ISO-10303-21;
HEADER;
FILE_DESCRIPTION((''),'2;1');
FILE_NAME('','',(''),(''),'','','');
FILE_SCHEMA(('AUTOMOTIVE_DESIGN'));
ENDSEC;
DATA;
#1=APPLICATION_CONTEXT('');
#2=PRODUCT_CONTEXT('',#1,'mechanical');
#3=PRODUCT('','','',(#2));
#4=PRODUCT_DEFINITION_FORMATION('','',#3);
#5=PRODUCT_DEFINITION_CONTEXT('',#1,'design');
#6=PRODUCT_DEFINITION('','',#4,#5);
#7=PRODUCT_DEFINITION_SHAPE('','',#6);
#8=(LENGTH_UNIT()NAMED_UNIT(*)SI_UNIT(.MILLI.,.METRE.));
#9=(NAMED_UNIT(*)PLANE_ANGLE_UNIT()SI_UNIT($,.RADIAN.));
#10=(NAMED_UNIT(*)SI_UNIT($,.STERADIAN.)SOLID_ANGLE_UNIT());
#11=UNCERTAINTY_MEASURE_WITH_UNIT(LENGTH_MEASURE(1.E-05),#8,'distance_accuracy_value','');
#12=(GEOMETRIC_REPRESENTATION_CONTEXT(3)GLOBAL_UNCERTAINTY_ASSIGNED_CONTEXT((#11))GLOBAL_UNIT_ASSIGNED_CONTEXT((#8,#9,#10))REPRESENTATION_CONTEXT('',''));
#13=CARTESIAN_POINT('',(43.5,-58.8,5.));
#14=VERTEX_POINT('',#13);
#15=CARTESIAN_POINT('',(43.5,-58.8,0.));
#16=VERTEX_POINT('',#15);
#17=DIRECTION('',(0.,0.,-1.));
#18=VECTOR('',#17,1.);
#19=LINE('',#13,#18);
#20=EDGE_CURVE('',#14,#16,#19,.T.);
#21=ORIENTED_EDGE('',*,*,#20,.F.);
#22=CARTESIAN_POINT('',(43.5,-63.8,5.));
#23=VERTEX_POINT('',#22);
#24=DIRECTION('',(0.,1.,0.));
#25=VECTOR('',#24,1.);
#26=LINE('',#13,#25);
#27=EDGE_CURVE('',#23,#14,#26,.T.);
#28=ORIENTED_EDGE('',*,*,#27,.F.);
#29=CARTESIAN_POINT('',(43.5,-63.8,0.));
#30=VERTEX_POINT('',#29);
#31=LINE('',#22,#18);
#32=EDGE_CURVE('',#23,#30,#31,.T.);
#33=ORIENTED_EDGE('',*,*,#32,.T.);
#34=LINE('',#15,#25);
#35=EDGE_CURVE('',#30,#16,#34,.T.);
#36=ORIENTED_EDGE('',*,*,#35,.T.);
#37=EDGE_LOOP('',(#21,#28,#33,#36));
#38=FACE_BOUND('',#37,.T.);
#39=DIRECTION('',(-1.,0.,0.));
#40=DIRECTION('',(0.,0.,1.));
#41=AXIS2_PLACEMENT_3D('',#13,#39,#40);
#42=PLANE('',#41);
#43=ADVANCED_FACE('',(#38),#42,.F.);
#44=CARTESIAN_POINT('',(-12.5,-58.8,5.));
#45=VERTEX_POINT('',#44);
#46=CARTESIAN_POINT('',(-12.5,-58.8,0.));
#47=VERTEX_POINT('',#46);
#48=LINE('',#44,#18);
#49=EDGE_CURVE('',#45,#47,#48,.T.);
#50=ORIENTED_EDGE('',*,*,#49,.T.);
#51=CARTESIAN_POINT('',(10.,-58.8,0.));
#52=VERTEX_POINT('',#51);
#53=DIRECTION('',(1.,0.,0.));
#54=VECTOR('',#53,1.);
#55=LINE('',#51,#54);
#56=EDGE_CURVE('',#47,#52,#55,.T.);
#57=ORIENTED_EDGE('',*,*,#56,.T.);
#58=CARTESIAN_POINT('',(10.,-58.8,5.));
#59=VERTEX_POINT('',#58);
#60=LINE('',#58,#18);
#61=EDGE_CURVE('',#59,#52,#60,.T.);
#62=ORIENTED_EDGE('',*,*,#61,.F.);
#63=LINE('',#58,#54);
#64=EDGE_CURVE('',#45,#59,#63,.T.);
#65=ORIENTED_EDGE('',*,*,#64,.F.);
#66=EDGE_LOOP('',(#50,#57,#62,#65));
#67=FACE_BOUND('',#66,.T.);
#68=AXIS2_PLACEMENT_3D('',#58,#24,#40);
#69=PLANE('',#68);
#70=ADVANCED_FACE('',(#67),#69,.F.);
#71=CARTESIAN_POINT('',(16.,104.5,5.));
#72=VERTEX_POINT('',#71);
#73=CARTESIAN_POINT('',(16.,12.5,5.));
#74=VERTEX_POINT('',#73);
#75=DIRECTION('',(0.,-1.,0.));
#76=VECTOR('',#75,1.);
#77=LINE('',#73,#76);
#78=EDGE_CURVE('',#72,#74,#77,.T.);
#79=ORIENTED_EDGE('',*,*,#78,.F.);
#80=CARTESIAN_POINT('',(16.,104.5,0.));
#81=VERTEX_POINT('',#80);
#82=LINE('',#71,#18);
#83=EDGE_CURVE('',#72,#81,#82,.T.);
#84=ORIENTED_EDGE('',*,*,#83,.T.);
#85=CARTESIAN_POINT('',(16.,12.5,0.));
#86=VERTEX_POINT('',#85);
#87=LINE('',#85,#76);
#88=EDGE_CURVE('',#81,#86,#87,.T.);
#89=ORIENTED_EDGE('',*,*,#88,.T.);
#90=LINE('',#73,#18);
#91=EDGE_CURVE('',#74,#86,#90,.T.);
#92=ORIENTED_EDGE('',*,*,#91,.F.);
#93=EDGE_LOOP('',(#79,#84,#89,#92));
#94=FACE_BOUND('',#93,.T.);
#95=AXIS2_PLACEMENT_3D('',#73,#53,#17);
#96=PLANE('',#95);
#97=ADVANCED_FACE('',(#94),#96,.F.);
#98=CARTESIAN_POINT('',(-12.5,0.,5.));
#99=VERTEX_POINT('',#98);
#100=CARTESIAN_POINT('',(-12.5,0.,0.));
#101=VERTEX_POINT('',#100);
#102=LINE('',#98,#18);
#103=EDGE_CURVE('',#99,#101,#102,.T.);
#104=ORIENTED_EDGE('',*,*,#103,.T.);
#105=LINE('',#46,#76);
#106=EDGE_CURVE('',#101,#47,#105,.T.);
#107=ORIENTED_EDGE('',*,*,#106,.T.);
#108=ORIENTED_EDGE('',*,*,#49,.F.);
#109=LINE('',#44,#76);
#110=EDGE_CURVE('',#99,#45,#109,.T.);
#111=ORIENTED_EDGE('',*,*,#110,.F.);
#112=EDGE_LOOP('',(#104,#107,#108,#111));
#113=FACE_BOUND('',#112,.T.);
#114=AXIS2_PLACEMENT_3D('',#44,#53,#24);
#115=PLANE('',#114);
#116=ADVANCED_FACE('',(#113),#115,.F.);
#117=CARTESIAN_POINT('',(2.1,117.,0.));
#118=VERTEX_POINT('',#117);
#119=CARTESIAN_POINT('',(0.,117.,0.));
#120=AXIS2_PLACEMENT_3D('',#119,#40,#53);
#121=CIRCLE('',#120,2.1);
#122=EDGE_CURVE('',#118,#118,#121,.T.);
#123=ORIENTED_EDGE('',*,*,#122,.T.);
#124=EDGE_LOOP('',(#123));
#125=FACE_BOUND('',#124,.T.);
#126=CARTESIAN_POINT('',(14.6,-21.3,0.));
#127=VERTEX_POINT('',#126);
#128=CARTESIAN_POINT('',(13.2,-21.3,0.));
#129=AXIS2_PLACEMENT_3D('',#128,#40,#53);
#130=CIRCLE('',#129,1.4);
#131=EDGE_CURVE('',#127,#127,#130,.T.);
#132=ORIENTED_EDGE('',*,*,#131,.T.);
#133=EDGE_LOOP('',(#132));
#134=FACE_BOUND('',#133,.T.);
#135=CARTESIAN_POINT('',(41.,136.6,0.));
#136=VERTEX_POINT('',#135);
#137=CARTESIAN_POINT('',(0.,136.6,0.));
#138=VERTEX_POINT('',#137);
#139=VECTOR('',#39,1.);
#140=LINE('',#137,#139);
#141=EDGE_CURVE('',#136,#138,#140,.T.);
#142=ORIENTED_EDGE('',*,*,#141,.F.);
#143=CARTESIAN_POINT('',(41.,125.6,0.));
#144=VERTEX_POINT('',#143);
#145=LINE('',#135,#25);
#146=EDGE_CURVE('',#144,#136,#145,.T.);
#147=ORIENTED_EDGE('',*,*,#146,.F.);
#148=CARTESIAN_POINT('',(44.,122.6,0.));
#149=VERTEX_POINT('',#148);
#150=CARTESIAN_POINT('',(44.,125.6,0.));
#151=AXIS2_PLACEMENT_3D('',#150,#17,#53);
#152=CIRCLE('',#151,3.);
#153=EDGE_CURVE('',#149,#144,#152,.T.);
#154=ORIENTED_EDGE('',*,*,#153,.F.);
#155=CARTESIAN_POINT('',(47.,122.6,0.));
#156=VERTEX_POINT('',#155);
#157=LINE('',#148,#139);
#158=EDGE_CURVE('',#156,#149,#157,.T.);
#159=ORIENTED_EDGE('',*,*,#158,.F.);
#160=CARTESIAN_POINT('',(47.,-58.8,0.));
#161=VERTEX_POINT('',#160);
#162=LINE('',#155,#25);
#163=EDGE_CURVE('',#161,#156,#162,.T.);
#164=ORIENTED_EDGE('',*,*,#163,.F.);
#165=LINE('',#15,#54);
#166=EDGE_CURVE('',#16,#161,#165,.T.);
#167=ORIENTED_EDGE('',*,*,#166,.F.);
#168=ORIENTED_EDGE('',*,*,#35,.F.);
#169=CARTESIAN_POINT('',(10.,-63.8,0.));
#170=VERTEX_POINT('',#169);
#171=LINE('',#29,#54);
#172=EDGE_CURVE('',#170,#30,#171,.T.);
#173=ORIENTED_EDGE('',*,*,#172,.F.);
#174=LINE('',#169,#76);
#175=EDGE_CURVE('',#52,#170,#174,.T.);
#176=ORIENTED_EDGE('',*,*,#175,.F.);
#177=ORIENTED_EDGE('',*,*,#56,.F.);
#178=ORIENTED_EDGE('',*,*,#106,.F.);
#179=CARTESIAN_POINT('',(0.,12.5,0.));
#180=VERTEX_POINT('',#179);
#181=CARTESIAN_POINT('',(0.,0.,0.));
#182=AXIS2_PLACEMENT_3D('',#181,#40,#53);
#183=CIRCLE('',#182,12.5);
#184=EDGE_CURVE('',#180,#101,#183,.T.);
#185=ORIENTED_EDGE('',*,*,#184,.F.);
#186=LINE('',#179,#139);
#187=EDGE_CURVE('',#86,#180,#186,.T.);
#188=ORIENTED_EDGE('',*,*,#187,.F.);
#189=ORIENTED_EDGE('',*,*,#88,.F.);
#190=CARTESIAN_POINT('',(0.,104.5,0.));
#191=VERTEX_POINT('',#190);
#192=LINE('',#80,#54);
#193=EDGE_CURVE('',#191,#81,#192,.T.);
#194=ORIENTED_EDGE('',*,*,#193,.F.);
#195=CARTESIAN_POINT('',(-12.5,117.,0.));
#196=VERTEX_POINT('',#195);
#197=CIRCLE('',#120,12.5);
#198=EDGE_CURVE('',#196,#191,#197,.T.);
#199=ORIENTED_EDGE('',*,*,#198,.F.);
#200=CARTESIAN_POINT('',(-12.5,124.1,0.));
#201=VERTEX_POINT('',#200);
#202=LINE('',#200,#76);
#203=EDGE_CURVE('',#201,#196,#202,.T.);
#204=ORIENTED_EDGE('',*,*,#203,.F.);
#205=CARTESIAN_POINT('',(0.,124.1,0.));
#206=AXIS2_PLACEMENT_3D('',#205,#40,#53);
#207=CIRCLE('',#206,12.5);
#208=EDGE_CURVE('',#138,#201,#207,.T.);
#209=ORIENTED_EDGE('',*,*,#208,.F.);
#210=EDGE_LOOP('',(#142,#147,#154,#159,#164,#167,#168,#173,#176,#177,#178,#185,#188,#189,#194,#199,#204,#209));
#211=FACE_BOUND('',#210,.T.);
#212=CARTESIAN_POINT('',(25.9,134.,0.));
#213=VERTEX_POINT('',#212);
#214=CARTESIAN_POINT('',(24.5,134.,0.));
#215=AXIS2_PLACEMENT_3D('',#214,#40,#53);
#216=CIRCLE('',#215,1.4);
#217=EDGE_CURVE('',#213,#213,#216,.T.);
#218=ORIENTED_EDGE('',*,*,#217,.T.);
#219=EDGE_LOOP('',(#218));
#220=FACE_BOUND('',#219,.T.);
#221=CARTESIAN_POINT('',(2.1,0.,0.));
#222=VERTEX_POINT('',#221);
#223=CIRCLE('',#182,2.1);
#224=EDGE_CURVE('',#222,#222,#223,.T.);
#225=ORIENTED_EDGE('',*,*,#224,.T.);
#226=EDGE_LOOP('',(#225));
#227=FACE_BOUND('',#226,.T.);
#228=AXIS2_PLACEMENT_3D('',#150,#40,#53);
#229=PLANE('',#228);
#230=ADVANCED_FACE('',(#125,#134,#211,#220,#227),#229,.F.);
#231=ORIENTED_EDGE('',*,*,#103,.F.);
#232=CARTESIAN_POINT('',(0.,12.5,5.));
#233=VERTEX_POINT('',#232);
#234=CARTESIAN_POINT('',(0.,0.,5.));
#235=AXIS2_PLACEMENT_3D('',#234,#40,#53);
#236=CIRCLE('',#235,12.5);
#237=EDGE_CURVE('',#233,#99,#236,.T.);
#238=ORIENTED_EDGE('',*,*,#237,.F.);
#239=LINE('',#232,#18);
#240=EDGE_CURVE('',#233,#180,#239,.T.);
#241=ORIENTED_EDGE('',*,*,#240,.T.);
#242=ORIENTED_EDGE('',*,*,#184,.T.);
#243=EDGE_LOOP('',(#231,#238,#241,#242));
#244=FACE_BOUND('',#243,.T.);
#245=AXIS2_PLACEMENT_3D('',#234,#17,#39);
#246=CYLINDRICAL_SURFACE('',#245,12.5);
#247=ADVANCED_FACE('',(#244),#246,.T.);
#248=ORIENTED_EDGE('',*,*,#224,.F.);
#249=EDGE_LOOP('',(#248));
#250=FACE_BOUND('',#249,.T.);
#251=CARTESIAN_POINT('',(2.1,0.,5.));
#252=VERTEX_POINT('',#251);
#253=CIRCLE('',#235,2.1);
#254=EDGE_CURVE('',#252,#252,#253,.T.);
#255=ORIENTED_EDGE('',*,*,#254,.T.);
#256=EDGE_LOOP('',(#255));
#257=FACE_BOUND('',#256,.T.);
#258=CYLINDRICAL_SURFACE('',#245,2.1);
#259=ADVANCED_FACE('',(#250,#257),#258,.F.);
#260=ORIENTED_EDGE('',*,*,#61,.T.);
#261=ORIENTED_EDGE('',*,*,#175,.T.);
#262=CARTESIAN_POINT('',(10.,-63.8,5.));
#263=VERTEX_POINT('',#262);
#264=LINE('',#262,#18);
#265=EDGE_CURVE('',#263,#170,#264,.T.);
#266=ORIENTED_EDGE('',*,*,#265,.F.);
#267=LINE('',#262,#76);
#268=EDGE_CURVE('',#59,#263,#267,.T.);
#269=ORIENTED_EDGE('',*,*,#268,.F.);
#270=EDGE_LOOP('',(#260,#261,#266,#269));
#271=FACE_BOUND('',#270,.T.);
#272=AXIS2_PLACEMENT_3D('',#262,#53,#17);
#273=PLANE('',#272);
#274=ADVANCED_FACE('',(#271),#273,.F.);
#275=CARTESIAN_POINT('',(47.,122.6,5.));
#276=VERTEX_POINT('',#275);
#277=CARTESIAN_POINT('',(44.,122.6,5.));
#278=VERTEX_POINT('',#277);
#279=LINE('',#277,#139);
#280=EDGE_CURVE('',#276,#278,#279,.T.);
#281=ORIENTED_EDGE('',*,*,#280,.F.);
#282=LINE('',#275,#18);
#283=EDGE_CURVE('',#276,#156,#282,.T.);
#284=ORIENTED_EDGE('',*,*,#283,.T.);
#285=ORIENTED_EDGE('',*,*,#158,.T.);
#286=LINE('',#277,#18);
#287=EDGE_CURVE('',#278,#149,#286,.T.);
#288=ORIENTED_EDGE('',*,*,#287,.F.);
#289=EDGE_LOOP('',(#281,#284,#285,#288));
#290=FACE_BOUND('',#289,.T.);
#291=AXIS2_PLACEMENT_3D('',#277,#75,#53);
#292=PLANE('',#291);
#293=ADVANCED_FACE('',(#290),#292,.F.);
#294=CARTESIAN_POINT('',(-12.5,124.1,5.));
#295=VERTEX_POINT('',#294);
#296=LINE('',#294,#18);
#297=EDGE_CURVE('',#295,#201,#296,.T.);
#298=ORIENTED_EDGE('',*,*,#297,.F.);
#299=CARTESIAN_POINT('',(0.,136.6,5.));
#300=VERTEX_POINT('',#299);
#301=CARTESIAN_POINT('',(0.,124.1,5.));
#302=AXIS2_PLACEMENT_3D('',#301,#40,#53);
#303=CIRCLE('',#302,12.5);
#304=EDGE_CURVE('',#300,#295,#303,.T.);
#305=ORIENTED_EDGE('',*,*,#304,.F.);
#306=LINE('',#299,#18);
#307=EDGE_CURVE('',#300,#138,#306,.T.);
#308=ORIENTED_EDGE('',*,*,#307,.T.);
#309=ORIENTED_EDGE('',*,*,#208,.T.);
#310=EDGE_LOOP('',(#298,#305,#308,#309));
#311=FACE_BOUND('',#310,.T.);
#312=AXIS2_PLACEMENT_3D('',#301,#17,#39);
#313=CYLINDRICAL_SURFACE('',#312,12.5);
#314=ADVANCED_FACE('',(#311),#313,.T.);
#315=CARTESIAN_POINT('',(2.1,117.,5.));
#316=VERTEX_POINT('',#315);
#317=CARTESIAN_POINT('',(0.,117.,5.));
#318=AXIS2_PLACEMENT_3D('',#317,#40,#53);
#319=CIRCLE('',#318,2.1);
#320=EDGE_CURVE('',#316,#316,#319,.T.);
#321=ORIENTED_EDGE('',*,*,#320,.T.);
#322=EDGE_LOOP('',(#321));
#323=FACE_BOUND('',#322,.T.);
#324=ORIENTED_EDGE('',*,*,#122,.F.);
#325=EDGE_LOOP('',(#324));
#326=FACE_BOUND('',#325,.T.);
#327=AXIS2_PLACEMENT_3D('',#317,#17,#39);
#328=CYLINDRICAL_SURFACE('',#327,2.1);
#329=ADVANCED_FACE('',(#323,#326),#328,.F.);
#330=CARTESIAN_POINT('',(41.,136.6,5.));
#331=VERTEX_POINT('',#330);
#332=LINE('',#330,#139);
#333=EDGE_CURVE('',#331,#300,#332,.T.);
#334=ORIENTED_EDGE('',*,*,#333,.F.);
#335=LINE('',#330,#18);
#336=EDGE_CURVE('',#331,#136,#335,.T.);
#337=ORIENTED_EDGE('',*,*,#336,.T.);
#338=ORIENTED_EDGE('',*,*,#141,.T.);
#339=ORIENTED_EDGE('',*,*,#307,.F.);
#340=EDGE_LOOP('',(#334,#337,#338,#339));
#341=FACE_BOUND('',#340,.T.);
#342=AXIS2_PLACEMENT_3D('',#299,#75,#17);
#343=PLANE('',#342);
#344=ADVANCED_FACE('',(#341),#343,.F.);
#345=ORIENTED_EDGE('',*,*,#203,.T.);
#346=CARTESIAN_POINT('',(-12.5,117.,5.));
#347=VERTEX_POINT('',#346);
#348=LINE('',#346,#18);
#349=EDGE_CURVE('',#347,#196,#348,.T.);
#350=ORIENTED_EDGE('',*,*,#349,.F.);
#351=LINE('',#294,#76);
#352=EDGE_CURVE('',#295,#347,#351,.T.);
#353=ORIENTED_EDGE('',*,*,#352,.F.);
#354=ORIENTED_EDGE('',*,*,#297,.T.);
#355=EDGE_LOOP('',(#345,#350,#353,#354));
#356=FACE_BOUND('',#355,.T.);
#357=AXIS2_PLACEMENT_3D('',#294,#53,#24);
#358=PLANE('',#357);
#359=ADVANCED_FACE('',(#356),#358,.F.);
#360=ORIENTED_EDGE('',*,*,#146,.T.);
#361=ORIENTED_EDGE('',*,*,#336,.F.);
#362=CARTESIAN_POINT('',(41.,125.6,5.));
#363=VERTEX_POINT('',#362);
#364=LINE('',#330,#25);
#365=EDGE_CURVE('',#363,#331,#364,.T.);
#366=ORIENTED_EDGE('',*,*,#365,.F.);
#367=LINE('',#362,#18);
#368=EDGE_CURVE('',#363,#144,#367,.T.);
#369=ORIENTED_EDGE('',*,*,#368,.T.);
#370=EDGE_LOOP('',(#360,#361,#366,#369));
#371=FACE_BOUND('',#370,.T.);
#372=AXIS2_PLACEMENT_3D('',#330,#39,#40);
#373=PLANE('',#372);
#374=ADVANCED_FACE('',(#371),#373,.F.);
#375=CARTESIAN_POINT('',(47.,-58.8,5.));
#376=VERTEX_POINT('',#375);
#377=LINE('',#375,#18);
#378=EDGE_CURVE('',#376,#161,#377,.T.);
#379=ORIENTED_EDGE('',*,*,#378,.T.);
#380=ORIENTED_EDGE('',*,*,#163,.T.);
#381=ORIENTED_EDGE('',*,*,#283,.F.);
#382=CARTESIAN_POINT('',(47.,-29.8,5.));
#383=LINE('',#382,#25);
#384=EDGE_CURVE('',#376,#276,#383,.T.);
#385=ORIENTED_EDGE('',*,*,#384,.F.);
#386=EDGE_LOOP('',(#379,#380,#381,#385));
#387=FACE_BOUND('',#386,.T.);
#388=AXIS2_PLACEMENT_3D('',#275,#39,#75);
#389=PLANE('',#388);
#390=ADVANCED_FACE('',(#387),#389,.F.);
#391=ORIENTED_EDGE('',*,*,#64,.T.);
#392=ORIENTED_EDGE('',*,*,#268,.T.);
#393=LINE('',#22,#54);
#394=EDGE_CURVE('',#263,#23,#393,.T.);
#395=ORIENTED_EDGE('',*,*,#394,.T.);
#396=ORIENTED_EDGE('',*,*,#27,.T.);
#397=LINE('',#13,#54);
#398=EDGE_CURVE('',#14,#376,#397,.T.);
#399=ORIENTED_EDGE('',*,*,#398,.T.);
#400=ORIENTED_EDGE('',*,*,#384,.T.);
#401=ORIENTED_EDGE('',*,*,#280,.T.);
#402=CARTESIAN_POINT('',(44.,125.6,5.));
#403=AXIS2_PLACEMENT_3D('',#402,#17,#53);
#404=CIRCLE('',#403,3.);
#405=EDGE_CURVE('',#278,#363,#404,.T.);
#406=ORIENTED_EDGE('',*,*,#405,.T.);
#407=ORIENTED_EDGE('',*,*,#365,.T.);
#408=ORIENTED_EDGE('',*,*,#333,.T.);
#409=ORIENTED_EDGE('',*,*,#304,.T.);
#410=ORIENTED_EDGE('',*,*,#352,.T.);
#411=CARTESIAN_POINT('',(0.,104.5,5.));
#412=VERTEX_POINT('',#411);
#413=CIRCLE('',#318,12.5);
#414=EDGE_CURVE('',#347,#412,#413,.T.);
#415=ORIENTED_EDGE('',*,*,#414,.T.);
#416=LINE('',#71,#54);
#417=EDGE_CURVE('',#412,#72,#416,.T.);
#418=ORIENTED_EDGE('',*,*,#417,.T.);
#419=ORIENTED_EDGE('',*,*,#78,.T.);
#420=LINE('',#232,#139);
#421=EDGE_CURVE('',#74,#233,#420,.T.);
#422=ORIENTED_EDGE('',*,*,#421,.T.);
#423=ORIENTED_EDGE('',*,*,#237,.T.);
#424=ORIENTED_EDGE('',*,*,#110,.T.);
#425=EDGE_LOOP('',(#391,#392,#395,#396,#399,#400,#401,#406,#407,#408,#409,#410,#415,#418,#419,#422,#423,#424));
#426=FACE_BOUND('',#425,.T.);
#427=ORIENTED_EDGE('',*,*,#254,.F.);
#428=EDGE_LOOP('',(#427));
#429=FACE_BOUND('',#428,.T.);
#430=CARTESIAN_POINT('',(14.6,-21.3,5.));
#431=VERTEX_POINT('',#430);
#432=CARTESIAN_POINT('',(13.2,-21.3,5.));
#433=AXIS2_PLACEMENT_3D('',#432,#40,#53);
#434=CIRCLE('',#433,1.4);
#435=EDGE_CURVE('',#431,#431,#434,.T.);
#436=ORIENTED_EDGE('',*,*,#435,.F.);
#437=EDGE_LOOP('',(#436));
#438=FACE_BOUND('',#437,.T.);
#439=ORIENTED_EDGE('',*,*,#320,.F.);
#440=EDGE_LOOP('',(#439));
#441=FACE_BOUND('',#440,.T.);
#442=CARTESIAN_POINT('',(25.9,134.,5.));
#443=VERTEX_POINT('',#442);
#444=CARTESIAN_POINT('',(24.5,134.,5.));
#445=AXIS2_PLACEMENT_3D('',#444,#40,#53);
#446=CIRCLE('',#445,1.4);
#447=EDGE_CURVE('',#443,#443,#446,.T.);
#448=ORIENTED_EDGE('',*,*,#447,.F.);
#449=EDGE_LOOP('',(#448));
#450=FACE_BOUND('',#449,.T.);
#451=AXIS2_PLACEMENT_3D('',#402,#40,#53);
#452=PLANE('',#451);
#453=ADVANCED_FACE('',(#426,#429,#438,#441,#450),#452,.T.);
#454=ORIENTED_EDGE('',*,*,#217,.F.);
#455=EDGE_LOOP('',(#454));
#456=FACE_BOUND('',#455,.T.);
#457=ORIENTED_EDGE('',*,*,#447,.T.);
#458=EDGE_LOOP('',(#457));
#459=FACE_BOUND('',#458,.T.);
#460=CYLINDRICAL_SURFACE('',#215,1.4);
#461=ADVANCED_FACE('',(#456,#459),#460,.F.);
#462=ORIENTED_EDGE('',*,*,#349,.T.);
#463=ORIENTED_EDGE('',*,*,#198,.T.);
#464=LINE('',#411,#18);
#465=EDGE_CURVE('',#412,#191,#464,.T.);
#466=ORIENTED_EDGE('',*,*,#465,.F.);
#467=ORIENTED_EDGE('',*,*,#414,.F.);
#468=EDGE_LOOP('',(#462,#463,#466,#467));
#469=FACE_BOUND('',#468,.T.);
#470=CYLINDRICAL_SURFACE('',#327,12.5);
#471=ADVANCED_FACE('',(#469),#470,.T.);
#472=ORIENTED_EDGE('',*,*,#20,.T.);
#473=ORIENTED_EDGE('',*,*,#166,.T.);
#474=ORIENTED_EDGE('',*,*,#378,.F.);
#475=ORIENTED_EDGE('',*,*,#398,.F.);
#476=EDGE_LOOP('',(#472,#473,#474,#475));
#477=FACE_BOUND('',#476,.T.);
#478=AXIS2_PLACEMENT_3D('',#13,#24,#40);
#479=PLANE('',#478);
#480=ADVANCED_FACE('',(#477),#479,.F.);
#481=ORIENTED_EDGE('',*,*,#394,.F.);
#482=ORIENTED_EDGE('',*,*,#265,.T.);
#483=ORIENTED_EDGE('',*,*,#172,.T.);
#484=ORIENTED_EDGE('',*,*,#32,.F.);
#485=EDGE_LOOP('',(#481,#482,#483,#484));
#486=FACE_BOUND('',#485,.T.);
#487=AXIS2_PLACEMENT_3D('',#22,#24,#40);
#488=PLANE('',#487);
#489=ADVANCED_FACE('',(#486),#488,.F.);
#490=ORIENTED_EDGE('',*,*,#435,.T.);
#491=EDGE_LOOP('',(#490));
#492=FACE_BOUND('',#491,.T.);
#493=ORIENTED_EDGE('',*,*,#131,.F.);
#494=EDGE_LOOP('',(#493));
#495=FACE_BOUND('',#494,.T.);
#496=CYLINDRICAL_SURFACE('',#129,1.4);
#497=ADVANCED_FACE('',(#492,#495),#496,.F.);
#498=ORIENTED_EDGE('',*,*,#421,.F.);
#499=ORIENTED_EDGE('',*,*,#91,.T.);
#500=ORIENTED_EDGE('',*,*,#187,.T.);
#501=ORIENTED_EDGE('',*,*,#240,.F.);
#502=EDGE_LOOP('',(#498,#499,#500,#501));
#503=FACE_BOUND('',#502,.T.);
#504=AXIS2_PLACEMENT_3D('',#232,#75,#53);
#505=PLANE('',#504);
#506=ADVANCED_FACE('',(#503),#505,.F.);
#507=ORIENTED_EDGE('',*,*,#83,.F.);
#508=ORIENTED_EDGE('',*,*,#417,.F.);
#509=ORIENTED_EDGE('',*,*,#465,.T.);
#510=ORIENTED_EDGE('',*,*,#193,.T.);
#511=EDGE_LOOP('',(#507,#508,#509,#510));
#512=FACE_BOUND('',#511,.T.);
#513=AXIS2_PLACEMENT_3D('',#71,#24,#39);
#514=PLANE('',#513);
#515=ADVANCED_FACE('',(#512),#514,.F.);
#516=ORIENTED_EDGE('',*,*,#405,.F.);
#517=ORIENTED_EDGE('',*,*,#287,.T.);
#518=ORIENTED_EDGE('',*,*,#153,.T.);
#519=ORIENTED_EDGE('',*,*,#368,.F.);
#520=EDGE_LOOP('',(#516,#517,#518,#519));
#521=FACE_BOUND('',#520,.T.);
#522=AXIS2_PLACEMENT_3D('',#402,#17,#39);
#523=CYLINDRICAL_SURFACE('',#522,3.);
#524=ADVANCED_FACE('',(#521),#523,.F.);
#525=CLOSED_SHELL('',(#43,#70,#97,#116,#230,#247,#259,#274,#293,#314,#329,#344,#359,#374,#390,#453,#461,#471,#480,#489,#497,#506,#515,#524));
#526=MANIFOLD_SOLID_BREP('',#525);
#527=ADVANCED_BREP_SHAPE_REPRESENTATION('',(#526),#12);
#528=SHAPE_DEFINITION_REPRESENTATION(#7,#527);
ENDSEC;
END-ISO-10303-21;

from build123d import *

# Parameters (mm, degrees)
SKETCH1_R           = 2.1
BOSS_EXTRUDE1_DEPTH = 5
SKETCH2_R           = 1.4
CUT_EXTRUDE1_DEPTH  = 145.546048026


with BuildPart() as part:
    # Sketch1 → Boss-Extrude1 (new body)
    with BuildSketch(Plane.XY):
        with BuildLine():
            Line((41, 136.6), (41, 125.6))
            ThreePointArc((41, 125.6), (41.878679656, 123.478679656), (44, 122.6))
            Line((44, 122.6), (47, 122.6))
            Line((47, 122.6), (47, -29.8))
            Line((47, -29.8), (47, -58.8))
            Line((47, -58.8), (43.5, -58.8))
            Line((43.5, -58.8), (43.5, -63.8))
            Line((43.5, -63.8), (10, -63.8))
            Line((10, -63.8), (10, -58.8))
            Line((10, -58.8), (-12.5, -58.8))
            Line((-12.5, -58.8), (-12.5, 0))
            ThreePointArc((-12.5, 0), (-8.838834765, 8.838834765), (0, 12.5))
            Line((0, 12.5), (16, 12.5))
            Line((16, 12.5), (16, 104.5))
            Line((16, 104.5), (0, 104.5))
            ThreePointArc((0, 104.5), (-8.838834765, 108.161165235), (-12.5, 117))
            Line((-12.5, 117), (-12.5, 124.1))
            ThreePointArc((-12.5, 124.1), (-8.838834765, 132.938834765), (0, 136.6))
            Line((0, 136.6), (37.5, 136.6))
            Line((37.5, 136.6), (41, 136.6))
        make_face()
        Circle(SKETCH1_R, mode=Mode.SUBTRACT)
        with Locations((0, 117)):
            Circle(SKETCH1_R, mode=Mode.SUBTRACT)
    extrude(amount=BOSS_EXTRUDE1_DEPTH)

    # Sketch2 → Cut-Extrude1 (cut, through all)
    with BuildSketch(Plane.XY.offset(5)):
        with Locations((13.2, -21.3)):
            Circle(SKETCH2_R)
        with Locations((24.5, 134)):
            Circle(SKETCH2_R)
    extrude(amount=-CUT_EXTRUDE1_DEPTH, mode=Mode.SUBTRACT)


solid = part.part
